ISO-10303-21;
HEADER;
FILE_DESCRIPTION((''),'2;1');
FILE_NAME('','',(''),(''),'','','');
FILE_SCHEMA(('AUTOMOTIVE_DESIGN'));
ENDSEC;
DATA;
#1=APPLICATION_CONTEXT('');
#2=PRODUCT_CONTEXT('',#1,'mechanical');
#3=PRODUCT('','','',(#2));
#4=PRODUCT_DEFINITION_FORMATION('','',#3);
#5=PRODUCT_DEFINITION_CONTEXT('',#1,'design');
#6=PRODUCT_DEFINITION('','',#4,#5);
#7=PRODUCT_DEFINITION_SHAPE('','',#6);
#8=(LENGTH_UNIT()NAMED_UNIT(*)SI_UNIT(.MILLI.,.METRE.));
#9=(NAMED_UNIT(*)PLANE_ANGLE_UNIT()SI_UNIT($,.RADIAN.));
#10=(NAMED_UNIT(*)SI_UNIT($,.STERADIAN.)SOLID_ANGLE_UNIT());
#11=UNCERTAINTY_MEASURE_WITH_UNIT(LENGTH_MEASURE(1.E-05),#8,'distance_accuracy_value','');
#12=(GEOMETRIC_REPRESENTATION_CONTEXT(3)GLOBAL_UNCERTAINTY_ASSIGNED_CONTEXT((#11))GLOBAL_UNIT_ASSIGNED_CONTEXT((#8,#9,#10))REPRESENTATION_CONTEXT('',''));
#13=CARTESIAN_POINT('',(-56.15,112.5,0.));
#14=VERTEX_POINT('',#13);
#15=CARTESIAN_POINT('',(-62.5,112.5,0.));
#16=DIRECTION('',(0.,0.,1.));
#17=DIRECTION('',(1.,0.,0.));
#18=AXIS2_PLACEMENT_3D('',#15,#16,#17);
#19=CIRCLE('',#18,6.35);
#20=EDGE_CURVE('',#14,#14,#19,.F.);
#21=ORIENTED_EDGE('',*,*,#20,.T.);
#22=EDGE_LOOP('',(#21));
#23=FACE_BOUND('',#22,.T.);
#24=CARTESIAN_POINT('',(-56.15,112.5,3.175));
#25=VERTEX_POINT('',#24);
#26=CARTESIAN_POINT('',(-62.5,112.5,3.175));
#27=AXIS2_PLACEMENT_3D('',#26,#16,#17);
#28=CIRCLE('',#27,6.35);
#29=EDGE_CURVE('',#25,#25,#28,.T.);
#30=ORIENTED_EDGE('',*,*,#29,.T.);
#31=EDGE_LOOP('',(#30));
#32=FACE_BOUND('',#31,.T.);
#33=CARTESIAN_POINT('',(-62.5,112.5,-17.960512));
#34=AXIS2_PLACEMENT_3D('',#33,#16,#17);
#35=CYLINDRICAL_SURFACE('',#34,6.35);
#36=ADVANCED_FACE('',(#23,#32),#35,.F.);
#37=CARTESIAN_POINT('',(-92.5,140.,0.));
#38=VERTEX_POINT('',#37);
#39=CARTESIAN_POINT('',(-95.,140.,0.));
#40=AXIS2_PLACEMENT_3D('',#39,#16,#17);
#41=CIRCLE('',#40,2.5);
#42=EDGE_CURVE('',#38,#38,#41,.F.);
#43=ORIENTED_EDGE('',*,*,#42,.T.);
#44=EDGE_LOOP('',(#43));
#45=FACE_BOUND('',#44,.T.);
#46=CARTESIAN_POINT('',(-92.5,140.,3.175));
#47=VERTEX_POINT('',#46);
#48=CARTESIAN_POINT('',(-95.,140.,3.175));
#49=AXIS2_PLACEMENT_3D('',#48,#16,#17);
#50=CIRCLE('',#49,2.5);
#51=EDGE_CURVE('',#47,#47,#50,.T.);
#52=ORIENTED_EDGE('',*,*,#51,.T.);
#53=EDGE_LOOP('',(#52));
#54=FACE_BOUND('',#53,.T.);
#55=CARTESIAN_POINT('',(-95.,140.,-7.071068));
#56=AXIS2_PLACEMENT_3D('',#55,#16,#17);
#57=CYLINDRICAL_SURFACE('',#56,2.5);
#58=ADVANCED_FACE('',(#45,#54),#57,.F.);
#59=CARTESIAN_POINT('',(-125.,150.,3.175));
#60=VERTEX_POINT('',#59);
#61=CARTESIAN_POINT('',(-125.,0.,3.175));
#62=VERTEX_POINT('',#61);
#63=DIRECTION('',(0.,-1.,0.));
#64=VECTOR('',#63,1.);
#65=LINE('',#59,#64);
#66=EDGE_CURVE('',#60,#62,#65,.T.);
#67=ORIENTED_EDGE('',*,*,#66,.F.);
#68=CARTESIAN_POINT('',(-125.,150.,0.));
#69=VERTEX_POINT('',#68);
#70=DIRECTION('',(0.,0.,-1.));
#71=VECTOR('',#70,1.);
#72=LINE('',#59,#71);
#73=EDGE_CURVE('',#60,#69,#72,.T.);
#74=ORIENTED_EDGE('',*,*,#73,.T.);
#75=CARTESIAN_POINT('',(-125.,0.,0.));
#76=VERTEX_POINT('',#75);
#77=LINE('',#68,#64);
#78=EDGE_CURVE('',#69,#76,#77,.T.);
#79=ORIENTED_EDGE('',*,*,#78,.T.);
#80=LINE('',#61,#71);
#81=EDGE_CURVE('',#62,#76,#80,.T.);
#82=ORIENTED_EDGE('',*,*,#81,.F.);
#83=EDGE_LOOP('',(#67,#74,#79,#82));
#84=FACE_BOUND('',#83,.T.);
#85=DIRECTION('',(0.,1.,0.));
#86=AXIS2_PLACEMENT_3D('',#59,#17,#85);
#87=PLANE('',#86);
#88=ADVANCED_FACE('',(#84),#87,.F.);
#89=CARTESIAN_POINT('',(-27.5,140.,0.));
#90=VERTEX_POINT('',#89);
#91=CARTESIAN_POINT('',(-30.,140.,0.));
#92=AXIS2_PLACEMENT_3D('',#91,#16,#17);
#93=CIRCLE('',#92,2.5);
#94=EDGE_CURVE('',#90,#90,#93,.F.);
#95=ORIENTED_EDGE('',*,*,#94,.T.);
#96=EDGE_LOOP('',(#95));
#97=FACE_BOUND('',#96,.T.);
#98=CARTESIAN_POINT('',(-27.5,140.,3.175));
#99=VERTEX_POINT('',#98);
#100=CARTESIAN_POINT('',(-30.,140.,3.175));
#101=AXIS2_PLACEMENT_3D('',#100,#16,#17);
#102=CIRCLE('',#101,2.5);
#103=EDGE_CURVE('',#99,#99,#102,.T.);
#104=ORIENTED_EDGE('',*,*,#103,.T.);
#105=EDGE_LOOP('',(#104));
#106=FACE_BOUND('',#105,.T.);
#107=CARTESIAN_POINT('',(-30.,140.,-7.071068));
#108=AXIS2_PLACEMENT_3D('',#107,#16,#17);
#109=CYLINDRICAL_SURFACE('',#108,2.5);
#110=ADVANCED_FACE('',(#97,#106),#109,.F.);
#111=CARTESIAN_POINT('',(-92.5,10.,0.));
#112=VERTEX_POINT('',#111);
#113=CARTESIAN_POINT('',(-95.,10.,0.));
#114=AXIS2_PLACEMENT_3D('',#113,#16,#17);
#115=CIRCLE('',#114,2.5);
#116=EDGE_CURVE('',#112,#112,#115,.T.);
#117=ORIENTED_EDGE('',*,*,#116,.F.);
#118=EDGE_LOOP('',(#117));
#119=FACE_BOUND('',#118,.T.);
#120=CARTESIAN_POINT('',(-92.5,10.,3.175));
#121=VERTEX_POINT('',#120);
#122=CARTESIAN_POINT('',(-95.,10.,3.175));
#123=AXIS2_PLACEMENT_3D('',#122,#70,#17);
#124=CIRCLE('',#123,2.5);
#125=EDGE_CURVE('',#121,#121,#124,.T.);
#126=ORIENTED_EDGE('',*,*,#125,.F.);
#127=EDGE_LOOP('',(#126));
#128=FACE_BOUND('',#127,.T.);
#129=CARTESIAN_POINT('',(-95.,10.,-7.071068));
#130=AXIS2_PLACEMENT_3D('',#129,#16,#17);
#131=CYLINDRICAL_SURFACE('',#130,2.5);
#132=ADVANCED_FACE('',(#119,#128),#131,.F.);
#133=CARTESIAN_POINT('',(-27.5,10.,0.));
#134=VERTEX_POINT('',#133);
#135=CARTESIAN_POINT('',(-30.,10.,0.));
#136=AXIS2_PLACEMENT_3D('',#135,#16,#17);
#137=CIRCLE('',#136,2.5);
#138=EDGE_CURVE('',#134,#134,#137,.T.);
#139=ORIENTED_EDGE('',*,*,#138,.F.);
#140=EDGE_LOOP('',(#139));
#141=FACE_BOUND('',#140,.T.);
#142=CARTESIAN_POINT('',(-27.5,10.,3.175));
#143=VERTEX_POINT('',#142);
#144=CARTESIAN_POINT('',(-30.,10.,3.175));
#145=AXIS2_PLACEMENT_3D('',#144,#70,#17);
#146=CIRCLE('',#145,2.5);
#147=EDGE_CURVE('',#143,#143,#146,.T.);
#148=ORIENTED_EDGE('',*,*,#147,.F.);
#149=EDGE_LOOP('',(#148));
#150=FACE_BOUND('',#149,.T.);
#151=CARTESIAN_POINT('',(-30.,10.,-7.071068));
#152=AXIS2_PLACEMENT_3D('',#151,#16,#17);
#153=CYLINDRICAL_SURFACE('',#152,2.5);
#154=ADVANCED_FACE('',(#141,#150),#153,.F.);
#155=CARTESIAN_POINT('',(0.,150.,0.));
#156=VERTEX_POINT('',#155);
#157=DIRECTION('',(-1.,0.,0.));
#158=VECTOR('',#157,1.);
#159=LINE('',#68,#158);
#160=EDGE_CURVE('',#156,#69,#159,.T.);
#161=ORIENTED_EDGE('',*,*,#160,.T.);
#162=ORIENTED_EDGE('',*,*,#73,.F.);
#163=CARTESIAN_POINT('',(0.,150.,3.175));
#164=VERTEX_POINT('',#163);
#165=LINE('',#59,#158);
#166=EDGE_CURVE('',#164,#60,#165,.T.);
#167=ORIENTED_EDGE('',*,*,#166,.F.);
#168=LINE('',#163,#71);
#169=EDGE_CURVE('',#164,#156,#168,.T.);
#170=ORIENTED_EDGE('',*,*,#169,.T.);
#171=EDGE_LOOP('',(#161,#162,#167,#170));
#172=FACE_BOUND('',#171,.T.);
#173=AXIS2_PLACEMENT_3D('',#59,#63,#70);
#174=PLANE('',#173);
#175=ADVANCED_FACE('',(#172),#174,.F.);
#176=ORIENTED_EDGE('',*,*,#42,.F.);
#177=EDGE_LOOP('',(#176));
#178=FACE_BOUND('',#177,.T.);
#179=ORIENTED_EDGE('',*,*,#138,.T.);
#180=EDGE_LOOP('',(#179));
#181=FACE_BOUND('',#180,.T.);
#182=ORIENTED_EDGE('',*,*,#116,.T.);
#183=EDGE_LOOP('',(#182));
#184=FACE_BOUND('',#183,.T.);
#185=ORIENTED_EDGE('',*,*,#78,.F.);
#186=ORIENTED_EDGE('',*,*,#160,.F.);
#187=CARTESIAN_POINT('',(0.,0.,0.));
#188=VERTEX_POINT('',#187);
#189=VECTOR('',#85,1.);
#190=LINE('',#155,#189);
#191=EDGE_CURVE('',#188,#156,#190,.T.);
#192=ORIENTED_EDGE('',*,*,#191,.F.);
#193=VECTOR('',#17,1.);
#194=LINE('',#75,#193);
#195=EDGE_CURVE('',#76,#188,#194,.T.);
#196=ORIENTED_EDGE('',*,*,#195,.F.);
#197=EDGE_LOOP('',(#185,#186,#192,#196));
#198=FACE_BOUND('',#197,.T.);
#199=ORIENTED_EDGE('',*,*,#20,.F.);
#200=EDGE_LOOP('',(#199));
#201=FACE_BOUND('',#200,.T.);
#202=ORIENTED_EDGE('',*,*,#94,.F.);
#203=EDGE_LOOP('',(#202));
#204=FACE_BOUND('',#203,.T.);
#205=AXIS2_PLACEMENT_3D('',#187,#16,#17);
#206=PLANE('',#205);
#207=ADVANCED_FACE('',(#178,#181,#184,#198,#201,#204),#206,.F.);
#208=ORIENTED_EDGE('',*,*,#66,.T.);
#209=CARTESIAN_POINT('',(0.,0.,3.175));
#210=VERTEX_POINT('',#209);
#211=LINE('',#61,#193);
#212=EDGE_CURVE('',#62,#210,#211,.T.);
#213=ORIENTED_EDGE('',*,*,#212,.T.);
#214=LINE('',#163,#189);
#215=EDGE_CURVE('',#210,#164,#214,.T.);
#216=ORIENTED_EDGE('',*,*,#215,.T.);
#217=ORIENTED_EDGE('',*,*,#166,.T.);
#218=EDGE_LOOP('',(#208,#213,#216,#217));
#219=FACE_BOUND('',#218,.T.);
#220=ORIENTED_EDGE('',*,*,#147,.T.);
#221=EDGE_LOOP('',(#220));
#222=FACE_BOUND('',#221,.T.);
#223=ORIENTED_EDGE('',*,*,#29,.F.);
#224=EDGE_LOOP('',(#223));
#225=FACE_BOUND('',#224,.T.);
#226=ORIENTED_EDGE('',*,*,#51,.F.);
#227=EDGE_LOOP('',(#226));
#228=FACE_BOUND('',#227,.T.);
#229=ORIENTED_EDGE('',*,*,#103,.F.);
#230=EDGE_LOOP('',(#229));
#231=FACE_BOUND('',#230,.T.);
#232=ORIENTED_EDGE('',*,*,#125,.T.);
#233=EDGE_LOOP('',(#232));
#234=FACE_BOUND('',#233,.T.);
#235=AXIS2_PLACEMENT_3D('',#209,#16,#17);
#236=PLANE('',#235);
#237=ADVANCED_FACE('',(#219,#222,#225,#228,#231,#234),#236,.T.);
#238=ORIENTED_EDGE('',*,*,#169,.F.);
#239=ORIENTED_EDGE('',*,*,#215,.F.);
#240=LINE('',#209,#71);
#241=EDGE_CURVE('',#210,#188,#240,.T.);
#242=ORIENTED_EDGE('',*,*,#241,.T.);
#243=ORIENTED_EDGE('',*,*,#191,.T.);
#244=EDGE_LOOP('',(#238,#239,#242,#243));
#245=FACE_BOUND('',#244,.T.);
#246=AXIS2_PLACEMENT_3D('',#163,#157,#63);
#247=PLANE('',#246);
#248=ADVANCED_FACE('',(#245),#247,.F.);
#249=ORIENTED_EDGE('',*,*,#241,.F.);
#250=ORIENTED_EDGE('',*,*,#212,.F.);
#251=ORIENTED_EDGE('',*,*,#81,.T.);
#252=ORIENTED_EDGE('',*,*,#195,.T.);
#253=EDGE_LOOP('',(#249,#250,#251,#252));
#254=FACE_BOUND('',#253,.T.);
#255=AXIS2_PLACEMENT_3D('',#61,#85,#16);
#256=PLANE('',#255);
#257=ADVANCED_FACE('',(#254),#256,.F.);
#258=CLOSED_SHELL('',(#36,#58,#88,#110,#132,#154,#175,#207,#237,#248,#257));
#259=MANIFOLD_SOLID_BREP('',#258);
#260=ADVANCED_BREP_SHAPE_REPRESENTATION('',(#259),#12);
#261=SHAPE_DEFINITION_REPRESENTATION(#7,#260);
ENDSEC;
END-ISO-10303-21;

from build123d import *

# Parameters (mm, degrees)
SKETCH1_W           = 125
SKETCH1_H           = 150
BOSS_EXTRUDE1_DEPTH = 3.175
SKETCH2_R           = 2.5
CUT_EXTRUDE1_DEPTH  = 3.175
SKETCH3_R           = 6.35
CUT_EXTRUDE2_DEPTH  = 3.175


with BuildPart() as part:
    # Sketch1 → Boss-Extrude1 (new body)
    with BuildSketch(Plane.XY):
        with Locations((-62.5, 75)):
            Rectangle(SKETCH1_W, SKETCH1_H)
    extrude(amount=BOSS_EXTRUDE1_DEPTH)

    # Sketch2 → Cut-Extrude1 (cut)
    with BuildSketch(Plane.XY.offset(3.175)):
        with Locations((-95, 140)):
            Circle(SKETCH2_R)
        with Locations((-30, 140)):
            Circle(SKETCH2_R)
    cut_extrude1 = extrude(amount=-CUT_EXTRUDE1_DEPTH, mode=Mode.SUBTRACT)

    # Mirror1: Cut-Extrude1 across plane
    add(cut_extrude1.mirror(Plane.ZX.offset(75)), mode=Mode.SUBTRACT)

    # Sketch3 → Cut-Extrude2 (cut)
    with BuildSketch(Plane.XY.offset(3.175)):
        with Locations((-62.5, 112.5)):
            Circle(SKETCH3_R)
    extrude(amount=-CUT_EXTRUDE2_DEPTH, mode=Mode.SUBTRACT)


solid = part.part
